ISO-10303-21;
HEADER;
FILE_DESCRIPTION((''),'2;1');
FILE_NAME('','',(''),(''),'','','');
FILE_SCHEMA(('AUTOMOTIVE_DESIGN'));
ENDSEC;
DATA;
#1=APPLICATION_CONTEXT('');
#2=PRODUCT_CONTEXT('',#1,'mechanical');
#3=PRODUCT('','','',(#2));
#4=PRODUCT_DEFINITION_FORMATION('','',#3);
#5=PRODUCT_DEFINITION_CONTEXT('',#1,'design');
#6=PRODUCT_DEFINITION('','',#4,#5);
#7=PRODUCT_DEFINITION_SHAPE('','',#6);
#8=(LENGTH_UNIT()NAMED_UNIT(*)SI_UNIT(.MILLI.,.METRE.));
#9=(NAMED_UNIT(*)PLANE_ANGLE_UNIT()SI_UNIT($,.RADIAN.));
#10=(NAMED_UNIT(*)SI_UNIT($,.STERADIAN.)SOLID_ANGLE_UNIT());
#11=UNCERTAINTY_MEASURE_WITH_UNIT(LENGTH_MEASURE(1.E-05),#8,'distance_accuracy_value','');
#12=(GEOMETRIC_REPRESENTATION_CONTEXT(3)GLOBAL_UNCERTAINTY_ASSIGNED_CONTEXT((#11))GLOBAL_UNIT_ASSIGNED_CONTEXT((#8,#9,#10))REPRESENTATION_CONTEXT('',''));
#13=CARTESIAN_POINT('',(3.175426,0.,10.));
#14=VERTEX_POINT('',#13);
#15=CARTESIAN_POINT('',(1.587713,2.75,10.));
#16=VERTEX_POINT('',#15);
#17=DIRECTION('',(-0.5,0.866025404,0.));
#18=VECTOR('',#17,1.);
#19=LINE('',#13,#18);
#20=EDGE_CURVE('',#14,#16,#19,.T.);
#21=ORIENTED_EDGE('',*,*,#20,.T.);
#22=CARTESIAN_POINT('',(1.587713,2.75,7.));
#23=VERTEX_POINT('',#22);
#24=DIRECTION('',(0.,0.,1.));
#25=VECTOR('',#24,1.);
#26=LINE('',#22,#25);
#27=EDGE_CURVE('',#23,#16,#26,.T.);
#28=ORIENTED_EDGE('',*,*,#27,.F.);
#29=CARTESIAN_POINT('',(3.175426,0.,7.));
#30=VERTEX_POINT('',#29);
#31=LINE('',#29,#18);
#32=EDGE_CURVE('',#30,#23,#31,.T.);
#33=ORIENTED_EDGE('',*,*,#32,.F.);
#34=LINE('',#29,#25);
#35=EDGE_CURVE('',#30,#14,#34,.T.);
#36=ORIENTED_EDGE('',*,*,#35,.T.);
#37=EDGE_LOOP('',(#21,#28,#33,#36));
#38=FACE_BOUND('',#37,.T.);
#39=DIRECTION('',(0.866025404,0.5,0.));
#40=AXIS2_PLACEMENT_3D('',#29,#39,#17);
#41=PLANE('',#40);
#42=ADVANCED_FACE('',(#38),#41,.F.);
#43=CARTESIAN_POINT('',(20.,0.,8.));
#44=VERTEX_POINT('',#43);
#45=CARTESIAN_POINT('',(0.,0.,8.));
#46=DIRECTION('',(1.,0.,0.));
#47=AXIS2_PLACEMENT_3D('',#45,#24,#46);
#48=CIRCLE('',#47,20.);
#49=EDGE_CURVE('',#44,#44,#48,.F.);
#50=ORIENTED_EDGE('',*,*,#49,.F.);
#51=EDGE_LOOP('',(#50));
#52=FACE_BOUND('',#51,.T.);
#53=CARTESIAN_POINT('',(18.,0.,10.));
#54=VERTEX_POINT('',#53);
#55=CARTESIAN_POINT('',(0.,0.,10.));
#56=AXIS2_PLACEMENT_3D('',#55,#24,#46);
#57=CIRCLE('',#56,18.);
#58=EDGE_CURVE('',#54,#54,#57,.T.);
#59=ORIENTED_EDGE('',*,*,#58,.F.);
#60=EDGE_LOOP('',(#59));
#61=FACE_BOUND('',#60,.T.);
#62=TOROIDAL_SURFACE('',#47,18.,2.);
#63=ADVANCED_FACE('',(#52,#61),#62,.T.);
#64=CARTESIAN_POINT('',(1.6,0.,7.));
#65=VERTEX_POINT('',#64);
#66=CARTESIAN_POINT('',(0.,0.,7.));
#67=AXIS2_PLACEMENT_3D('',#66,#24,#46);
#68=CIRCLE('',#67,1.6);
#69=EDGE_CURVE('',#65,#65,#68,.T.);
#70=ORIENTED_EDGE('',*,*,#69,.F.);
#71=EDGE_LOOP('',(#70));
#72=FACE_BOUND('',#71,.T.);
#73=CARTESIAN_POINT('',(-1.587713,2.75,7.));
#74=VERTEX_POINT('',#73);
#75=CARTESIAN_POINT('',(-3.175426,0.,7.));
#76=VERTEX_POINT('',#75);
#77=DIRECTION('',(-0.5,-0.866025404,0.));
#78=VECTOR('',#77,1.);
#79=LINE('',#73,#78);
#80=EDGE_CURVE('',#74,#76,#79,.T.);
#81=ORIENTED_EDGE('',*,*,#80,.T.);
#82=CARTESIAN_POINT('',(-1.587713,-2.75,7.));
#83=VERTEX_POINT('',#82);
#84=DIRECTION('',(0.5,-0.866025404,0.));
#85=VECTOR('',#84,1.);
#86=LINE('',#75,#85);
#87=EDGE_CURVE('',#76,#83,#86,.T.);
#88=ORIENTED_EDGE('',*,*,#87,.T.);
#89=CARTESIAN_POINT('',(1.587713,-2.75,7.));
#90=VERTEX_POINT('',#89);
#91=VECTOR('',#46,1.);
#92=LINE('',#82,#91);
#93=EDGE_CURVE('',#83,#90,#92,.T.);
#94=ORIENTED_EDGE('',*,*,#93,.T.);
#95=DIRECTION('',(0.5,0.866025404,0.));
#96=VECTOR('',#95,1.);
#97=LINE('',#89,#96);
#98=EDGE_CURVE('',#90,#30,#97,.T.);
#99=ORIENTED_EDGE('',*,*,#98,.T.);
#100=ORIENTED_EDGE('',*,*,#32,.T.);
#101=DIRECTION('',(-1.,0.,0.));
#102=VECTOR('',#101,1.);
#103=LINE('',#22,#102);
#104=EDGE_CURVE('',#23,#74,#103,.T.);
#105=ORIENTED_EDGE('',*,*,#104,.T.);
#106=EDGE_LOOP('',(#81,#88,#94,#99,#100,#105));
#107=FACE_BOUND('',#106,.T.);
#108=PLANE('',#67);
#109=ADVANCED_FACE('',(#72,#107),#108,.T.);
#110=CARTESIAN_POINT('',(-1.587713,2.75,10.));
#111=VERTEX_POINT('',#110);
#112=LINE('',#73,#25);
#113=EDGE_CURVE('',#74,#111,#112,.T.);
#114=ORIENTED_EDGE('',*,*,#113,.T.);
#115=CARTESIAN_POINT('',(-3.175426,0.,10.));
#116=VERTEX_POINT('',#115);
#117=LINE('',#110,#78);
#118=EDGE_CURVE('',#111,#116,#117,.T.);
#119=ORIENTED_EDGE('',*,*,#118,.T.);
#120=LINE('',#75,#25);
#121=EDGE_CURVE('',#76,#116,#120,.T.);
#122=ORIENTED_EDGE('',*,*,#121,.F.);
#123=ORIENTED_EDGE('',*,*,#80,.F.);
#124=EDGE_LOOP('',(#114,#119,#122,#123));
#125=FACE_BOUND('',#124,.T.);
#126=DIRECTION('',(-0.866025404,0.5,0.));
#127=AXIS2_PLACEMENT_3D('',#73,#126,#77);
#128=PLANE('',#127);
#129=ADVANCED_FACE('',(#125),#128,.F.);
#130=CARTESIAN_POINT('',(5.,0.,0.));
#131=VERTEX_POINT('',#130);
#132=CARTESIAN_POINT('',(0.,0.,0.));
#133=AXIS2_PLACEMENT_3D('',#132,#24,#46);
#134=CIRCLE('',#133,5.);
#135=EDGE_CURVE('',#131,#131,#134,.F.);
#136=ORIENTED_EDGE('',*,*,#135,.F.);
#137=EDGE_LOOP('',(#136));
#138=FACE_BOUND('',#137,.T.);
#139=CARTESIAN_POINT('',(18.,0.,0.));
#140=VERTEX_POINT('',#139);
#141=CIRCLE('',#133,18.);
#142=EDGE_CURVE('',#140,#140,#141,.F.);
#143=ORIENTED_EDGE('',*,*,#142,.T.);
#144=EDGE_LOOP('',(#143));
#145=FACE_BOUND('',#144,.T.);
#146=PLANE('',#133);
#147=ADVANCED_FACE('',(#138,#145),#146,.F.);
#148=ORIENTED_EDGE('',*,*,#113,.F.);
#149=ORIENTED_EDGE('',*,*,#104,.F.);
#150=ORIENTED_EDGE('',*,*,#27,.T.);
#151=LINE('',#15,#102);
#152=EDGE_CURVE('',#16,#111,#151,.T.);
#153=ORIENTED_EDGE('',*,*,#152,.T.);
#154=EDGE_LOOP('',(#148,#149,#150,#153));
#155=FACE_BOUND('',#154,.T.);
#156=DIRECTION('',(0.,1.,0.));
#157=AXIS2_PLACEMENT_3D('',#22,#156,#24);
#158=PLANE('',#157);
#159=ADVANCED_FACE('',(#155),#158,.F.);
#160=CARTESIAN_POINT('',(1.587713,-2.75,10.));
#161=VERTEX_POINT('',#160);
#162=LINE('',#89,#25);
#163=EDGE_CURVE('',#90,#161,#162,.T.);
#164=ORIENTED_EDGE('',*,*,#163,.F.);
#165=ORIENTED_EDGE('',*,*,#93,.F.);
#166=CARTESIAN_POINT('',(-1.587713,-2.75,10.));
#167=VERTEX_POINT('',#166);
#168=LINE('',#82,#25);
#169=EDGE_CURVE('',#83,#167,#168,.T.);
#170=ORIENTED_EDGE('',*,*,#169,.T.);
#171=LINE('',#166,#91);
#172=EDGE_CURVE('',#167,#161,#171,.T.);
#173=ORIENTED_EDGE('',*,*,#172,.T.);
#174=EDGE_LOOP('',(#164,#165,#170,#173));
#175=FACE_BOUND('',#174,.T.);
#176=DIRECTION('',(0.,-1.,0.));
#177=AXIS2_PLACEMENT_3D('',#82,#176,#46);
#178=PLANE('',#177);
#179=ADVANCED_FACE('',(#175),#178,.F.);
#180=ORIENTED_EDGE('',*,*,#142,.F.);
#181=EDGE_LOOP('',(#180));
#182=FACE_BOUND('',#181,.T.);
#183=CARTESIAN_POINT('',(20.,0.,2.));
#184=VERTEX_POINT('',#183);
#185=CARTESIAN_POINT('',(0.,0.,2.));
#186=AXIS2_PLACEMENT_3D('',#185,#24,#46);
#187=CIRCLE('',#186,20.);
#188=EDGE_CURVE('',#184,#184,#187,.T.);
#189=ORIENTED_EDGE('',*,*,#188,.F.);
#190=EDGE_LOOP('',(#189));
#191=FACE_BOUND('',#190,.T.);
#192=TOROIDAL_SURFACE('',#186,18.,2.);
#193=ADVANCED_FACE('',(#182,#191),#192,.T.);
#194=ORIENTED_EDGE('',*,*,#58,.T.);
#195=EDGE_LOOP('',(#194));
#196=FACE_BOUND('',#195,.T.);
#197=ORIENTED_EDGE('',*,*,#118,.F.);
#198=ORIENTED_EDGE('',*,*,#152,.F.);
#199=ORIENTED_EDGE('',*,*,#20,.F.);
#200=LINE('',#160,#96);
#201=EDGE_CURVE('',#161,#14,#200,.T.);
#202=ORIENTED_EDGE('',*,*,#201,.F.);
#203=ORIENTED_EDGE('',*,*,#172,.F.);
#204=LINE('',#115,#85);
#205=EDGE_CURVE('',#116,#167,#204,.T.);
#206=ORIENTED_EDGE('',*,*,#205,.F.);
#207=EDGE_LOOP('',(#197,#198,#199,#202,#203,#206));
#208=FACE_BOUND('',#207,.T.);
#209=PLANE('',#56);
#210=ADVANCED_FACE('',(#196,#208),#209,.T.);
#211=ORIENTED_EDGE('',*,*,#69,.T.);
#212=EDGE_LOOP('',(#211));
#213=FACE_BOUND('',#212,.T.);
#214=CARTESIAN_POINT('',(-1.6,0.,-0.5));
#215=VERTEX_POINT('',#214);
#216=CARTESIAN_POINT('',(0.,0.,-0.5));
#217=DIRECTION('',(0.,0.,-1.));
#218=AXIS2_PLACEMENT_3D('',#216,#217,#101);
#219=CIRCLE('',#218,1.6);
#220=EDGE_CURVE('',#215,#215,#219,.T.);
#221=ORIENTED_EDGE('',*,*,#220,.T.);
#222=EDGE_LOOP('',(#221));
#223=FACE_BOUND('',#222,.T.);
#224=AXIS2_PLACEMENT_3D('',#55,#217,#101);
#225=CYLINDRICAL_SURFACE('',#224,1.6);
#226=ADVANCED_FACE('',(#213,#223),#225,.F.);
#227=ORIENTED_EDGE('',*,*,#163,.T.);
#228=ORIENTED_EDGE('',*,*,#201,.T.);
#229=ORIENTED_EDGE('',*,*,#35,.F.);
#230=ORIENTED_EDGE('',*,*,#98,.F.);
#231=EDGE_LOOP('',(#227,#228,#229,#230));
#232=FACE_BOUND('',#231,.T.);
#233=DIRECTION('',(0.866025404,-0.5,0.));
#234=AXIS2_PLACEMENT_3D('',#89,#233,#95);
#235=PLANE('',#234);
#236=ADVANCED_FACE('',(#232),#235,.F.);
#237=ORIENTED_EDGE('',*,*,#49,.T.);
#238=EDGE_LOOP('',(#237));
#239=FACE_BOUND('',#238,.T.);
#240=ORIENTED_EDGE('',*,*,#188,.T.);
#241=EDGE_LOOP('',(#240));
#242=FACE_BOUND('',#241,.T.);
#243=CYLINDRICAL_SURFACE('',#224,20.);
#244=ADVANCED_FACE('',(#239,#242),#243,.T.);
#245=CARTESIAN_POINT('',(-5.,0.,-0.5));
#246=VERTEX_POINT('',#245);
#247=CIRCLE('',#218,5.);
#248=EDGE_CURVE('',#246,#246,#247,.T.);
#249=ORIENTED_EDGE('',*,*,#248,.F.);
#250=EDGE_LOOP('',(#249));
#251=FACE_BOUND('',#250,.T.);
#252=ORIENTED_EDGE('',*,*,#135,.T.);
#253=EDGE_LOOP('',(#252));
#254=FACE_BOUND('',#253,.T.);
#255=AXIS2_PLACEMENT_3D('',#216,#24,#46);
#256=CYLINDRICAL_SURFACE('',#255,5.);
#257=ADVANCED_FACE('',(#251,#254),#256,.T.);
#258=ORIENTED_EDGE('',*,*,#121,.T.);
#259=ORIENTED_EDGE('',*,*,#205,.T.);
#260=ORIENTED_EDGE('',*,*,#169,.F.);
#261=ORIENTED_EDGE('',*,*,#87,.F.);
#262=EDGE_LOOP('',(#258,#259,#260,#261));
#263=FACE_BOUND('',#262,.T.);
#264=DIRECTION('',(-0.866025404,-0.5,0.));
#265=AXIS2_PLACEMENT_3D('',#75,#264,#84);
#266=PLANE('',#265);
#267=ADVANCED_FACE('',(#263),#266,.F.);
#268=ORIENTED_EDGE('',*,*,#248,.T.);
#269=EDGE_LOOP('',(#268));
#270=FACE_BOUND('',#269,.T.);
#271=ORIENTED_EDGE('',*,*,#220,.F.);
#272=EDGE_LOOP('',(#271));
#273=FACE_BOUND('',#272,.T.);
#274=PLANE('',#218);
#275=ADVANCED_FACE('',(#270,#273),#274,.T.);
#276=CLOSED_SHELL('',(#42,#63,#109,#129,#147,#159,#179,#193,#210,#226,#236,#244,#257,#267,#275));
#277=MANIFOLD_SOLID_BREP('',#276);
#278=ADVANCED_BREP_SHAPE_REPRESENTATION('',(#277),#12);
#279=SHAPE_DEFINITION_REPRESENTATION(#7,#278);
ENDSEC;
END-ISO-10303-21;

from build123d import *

# Parameters (mm, degrees)
SCHIZZO1_R                   = 20
SCHIZZO1_R_2                 = 1.6
ESTRUSIONE_ESTRUSIONE1_DEPTH = 10
TAGLIO_ESTRUSIONE1_DEPTH     = 3
RACCORDO1_R                  = 2
SCHIZZO3_R                   = 5
SCHIZZO3_R_2                 = 1.6
ESTRUSIONE_ESTRUSIONE2_DEPTH = 0.5


with BuildPart() as part:
    # Schizzo1 → Estrusione-Estrusione1 (new body)
    with BuildSketch(Plane.XY):
        Circle(SCHIZZO1_R)
        Circle(SCHIZZO1_R_2, mode=Mode.SUBTRACT)
    extrude(amount=ESTRUSIONE_ESTRUSIONE1_DEPTH)

    # Schizzo2 → Taglio-Estrusione1 (cut)
    with BuildSketch(Plane.XY.offset(10)):
        Polygon((3.175426481, 0), (1.58771324, 2.75), (-1.58771324, 2.75), (-3.175426481, 0), (-1.58771324, -2.75), (1.58771324, -2.75), align=None)
    extrude(amount=-TAGLIO_ESTRUSIONE1_DEPTH, mode=Mode.SUBTRACT)

    # Raccordo1
    raccordo1_edges = [part.edges().sort_by_distance(p)[0] for p in [
        (-20, 0, 0),
        (-20, 0, 10),
    ]]
    fillet(raccordo1_edges, radius=RACCORDO1_R)

    # Schizzo3 → Estrusione-Estrusione2 (add)
    with BuildSketch(Plane(origin=(0, 0, 0), x_dir=(-1, 0, 0), z_dir=(0, 0, -1))):
        Circle(SCHIZZO3_R)
        Circle(SCHIZZO3_R_2, mode=Mode.SUBTRACT)
    extrude(amount=ESTRUSIONE_ESTRUSIONE2_DEPTH)


solid = part.part
